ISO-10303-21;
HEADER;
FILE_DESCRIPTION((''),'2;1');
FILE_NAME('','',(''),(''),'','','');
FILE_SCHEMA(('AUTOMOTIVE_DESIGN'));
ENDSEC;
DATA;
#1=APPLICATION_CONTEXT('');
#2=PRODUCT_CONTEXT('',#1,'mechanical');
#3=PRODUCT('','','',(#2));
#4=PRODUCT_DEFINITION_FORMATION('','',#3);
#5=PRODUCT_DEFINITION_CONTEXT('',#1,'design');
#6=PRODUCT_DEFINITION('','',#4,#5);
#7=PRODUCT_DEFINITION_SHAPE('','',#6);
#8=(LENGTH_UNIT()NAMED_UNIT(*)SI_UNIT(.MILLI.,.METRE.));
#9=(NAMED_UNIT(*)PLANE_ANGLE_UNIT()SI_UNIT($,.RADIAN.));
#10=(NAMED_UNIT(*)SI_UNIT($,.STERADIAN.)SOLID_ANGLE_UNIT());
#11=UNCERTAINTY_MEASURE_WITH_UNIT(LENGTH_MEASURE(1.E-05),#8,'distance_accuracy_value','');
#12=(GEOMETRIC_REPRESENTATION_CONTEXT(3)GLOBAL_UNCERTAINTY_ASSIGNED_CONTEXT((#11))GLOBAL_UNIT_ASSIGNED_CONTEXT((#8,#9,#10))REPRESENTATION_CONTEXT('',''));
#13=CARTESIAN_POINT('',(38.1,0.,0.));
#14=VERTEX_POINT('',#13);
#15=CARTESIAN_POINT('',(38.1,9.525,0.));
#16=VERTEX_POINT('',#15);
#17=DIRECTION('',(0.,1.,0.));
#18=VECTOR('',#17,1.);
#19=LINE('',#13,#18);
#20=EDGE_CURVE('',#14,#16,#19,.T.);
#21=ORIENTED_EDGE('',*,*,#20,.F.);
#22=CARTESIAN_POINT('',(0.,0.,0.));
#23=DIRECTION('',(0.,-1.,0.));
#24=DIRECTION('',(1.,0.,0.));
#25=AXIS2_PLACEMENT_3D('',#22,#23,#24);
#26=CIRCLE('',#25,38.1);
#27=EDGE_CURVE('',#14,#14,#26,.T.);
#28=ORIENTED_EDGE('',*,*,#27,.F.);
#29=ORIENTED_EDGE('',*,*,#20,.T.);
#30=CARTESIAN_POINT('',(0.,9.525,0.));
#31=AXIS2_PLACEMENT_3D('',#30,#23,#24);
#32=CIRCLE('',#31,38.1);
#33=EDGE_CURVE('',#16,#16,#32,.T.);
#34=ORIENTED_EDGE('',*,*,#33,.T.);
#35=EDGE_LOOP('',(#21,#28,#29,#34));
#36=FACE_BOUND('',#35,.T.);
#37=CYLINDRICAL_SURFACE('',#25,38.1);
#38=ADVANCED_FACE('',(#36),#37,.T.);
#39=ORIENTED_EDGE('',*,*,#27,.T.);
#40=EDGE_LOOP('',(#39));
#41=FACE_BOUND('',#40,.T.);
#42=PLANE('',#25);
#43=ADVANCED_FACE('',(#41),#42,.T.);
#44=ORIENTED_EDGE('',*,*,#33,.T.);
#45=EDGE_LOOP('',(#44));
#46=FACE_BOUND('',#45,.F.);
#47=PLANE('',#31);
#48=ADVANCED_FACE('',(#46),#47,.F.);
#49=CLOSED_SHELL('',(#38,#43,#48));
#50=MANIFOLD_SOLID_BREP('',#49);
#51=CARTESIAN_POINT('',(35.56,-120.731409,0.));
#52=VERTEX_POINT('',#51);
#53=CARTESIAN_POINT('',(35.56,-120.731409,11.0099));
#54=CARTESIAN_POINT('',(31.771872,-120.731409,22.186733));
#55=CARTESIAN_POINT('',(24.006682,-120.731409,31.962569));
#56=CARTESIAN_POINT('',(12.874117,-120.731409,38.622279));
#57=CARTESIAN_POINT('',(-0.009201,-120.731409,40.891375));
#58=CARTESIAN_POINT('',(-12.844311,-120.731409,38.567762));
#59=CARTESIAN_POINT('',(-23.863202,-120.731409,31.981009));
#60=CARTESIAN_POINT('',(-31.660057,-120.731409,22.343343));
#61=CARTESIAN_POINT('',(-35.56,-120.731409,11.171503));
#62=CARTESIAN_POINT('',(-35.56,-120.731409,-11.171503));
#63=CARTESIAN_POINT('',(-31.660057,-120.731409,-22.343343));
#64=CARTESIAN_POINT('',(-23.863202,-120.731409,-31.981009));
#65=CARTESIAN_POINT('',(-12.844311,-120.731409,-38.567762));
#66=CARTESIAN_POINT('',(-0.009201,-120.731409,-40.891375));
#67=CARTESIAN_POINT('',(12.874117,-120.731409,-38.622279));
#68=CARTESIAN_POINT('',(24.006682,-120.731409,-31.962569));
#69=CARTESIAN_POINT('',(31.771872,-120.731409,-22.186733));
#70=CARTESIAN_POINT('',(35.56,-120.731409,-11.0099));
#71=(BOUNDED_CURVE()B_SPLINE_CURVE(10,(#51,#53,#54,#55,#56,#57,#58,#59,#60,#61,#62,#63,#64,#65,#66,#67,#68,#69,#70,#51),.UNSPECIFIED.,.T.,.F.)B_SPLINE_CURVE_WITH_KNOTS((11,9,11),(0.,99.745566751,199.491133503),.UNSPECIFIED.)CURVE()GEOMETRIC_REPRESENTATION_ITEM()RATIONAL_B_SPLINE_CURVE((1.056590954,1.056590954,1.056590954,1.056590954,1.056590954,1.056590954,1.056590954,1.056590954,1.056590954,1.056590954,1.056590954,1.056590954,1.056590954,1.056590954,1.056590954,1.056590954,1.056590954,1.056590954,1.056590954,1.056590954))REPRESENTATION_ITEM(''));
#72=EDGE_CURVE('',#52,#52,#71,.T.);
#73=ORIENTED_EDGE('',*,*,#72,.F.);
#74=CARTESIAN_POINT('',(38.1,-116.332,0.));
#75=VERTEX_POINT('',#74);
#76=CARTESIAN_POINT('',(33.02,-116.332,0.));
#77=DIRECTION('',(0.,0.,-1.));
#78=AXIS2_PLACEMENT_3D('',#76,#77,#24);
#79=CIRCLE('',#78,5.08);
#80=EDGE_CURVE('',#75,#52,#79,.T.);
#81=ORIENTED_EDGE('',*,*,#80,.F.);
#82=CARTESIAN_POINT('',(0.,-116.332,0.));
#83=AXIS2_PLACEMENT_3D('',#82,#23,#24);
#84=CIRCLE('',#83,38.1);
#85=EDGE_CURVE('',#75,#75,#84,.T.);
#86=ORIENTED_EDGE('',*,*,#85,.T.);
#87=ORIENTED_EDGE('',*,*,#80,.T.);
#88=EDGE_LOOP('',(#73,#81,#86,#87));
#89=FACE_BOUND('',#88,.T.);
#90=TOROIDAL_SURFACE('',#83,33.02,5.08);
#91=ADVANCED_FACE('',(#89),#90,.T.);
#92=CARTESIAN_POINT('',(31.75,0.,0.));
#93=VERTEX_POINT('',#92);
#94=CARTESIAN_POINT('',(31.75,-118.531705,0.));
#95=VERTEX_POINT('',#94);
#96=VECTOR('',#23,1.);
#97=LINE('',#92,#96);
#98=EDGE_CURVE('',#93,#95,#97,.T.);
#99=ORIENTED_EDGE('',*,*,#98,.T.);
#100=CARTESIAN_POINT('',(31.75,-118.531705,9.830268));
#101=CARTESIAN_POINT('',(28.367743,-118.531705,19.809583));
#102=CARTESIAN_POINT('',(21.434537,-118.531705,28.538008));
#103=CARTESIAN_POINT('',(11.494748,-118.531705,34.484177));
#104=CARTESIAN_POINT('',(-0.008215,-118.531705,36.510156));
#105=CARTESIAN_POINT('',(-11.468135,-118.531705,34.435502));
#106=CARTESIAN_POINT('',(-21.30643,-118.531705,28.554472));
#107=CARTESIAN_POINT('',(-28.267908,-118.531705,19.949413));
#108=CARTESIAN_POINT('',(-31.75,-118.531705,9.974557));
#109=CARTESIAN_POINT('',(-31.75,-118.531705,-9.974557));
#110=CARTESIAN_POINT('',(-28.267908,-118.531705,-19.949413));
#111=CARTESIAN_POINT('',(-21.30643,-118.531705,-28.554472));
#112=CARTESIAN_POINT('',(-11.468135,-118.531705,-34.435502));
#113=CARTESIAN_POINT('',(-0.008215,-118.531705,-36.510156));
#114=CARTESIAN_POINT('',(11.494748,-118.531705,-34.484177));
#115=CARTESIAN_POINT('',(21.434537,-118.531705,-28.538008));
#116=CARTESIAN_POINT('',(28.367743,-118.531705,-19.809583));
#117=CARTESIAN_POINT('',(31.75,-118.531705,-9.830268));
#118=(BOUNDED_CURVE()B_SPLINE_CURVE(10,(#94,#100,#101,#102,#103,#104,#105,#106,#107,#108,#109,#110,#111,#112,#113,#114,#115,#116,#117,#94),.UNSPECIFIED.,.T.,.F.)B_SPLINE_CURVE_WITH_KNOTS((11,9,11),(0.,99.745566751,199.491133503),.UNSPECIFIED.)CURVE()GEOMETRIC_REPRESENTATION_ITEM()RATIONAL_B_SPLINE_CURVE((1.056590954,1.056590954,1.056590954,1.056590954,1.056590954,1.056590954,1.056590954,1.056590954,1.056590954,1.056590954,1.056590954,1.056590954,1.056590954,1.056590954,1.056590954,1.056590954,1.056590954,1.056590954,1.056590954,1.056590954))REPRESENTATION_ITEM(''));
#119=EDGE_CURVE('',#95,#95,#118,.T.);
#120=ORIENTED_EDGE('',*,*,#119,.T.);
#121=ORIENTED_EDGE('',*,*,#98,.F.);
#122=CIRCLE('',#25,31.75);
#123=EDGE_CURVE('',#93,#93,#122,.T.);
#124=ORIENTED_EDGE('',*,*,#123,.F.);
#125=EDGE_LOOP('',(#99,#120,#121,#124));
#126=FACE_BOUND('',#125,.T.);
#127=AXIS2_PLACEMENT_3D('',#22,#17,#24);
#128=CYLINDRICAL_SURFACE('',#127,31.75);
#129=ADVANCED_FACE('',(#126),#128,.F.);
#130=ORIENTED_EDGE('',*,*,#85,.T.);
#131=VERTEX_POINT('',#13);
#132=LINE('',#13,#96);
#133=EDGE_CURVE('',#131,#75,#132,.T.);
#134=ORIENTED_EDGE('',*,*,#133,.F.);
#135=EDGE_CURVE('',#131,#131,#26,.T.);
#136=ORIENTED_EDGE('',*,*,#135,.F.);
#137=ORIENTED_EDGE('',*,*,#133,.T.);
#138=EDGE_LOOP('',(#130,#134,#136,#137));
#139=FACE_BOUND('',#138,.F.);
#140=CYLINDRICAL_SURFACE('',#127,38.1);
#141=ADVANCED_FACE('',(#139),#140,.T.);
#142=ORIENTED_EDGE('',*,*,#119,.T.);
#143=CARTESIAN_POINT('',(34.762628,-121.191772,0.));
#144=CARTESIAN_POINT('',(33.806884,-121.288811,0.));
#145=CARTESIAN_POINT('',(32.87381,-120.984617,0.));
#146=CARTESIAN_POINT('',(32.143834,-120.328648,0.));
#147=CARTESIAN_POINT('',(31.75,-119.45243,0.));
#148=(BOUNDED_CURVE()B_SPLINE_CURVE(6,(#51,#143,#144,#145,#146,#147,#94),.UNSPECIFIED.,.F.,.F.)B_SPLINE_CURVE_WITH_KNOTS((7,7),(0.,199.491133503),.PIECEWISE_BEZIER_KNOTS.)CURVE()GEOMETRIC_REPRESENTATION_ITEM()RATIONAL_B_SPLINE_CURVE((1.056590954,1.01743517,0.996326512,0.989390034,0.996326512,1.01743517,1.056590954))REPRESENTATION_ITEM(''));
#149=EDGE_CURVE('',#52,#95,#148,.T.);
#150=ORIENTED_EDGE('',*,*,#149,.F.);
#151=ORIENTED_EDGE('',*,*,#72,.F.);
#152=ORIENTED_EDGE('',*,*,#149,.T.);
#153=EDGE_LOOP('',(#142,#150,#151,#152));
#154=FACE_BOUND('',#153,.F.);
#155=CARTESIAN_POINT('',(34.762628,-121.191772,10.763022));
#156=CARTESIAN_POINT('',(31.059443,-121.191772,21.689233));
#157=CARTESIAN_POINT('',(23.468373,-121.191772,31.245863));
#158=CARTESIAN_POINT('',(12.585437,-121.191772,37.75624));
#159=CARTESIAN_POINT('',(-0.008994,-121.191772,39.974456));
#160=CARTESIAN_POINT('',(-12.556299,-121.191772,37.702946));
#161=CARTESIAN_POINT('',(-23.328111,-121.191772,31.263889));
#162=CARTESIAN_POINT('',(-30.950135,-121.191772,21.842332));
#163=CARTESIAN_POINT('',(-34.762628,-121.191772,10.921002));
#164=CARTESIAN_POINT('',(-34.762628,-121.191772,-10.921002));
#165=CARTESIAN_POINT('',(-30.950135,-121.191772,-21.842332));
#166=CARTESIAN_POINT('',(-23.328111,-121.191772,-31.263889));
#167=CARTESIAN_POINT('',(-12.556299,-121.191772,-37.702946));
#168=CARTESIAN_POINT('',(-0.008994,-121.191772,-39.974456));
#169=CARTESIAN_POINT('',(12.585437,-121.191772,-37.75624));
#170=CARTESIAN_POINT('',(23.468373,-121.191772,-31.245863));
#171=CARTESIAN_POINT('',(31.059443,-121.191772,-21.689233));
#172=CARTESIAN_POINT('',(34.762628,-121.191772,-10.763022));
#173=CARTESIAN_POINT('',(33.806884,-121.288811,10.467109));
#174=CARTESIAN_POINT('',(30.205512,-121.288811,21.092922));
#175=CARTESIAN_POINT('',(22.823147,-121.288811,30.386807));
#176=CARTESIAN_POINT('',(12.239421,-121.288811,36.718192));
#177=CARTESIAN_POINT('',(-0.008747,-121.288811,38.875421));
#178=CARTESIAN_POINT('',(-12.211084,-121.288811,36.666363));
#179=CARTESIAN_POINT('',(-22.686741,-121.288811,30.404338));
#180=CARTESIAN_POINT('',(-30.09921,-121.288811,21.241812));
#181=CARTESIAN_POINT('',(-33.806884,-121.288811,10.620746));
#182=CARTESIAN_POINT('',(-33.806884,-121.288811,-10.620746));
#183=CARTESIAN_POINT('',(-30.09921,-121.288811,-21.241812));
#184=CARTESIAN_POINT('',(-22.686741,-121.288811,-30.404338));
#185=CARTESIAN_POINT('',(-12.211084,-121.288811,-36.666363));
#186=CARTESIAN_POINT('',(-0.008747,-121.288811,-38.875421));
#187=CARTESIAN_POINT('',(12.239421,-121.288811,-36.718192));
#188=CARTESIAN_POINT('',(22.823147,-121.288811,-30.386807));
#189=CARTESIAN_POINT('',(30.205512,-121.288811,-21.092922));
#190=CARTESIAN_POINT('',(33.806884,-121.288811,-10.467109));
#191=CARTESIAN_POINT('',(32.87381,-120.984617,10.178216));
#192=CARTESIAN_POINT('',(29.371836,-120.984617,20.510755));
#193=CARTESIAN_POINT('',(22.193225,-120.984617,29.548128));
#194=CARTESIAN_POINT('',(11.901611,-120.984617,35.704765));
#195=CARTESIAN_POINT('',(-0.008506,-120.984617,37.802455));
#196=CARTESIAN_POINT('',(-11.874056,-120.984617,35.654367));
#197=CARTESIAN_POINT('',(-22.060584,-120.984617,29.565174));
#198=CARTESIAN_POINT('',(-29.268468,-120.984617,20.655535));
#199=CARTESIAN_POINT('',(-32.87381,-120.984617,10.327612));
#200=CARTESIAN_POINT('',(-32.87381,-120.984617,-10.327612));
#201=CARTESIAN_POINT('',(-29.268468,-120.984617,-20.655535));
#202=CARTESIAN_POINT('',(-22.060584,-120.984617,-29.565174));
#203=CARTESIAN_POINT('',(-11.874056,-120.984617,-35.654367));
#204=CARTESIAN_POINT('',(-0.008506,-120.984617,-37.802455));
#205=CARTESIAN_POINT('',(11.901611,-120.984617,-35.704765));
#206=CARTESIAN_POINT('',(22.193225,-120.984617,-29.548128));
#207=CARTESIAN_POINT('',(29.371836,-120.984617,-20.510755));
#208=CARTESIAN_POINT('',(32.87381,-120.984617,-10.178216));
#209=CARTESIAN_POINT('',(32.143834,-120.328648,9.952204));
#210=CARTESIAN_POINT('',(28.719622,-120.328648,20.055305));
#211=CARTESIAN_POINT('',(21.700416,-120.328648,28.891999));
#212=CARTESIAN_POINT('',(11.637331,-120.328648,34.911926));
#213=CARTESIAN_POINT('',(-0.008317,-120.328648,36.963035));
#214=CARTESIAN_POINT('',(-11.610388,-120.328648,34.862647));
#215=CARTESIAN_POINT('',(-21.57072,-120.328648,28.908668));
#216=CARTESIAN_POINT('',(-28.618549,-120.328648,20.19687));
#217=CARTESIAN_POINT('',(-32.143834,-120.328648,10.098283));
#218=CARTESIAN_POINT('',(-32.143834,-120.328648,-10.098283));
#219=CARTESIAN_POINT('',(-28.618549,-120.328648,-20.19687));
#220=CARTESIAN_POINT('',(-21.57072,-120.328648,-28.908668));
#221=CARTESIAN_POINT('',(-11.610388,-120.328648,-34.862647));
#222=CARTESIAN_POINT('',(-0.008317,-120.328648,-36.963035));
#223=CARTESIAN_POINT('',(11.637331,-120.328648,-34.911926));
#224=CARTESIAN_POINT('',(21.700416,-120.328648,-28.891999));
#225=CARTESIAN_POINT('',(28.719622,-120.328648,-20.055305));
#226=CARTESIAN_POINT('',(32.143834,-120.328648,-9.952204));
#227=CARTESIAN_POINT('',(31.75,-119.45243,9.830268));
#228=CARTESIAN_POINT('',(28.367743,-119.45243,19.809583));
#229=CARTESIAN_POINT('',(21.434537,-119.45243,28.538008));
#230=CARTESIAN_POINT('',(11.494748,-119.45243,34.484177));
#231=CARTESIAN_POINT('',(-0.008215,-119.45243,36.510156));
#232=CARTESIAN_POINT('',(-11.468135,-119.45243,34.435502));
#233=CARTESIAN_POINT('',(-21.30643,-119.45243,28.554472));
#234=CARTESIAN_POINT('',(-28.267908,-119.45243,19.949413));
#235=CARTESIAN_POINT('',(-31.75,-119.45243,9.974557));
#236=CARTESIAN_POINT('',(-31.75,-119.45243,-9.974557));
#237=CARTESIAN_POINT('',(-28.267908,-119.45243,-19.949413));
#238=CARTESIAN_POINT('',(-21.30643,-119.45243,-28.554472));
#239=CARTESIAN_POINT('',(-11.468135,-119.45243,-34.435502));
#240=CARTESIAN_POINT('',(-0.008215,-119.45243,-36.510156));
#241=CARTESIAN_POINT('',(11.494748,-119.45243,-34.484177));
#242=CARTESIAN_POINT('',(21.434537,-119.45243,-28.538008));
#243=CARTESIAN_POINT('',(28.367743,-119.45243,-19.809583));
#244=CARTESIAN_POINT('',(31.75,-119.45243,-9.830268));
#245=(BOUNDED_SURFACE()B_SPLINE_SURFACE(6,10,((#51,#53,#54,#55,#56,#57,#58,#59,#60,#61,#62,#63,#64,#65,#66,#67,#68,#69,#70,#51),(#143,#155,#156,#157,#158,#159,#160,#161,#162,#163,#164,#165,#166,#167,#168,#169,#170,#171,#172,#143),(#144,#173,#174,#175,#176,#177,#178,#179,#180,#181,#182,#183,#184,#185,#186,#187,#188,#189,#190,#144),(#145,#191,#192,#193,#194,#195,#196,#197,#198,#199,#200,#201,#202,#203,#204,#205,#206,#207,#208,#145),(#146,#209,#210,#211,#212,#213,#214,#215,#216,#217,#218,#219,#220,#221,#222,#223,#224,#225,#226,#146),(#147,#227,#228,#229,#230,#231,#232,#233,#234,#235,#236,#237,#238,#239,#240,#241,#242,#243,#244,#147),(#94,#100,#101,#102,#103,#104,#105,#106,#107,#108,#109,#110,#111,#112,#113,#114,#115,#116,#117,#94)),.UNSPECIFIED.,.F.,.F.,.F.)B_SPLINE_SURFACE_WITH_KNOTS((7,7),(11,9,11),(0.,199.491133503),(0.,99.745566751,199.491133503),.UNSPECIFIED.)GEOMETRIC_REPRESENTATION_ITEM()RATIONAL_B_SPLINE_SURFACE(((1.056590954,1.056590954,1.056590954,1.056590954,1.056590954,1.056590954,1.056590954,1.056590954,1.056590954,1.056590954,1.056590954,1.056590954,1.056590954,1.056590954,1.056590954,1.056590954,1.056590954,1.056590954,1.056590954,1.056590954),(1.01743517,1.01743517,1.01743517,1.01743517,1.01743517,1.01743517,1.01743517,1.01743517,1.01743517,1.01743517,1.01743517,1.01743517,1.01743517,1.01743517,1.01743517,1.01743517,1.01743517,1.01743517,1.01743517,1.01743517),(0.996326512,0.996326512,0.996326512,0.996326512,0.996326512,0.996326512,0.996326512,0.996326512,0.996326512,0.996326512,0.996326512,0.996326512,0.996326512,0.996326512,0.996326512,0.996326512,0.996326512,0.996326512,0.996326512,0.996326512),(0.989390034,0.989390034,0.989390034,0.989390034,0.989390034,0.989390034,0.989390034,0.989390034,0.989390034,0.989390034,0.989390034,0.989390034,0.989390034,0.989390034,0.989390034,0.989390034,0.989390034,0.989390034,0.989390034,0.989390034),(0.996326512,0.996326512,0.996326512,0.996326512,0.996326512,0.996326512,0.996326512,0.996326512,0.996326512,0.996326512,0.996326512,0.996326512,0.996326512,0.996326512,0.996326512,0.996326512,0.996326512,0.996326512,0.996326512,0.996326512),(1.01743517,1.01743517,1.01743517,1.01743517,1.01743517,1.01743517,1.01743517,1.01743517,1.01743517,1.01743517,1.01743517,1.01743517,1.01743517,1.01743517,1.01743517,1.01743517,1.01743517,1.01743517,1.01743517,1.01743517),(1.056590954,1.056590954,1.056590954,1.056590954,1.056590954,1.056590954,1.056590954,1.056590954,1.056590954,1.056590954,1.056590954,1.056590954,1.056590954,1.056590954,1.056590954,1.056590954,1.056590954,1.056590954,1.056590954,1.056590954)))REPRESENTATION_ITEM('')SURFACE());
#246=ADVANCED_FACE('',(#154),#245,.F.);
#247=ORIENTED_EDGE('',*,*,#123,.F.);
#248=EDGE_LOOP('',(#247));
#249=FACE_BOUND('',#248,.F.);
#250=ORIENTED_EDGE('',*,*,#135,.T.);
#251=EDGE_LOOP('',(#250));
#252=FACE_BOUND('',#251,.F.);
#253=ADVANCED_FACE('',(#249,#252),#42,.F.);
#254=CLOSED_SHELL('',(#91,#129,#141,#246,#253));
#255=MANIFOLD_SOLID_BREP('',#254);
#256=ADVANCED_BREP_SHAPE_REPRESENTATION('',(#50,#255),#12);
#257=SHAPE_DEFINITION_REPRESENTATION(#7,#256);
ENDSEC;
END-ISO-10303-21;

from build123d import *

# Parameters (mm, degrees)
F0_R     = 38.1
F0_R_2   = 31.75
F1_DEPTH = 121.412
F2_R     = 5.08
F3_R     = 2.54
F4_DEPTH = 9.525


with BuildPart() as f1:
    # F0 (on Front) → F1 (new body)
    with BuildSketch(Plane.XZ):
        Circle(F0_R)
        Circle(F0_R_2, mode=Mode.SUBTRACT)
    extrude(amount=F1_DEPTH)

    # F2
    f2_edges = [f1.edges().sort_by_distance(p)[0] for p in [
        (-38.1, -121.412, 0),
    ]]
    fillet(f2_edges, radius=F2_R)

    # F3
    f3_edges = [f1.edges().sort_by_distance(p)[0] for p in [
        (-31.75, -121.412, 0),
    ]]
    fillet(f3_edges, radius=F3_R)


with BuildPart() as f4:
    # F0 (on Front) → F4 (new body)
    with BuildSketch(Plane.XZ):
        Circle(F0_R)
        Circle(F0_R_2, mode=Mode.SUBTRACT)
        Circle(F0_R_2)
    extrude(amount=-F4_DEPTH)


solid = Compound([f1.part, f4.part])
